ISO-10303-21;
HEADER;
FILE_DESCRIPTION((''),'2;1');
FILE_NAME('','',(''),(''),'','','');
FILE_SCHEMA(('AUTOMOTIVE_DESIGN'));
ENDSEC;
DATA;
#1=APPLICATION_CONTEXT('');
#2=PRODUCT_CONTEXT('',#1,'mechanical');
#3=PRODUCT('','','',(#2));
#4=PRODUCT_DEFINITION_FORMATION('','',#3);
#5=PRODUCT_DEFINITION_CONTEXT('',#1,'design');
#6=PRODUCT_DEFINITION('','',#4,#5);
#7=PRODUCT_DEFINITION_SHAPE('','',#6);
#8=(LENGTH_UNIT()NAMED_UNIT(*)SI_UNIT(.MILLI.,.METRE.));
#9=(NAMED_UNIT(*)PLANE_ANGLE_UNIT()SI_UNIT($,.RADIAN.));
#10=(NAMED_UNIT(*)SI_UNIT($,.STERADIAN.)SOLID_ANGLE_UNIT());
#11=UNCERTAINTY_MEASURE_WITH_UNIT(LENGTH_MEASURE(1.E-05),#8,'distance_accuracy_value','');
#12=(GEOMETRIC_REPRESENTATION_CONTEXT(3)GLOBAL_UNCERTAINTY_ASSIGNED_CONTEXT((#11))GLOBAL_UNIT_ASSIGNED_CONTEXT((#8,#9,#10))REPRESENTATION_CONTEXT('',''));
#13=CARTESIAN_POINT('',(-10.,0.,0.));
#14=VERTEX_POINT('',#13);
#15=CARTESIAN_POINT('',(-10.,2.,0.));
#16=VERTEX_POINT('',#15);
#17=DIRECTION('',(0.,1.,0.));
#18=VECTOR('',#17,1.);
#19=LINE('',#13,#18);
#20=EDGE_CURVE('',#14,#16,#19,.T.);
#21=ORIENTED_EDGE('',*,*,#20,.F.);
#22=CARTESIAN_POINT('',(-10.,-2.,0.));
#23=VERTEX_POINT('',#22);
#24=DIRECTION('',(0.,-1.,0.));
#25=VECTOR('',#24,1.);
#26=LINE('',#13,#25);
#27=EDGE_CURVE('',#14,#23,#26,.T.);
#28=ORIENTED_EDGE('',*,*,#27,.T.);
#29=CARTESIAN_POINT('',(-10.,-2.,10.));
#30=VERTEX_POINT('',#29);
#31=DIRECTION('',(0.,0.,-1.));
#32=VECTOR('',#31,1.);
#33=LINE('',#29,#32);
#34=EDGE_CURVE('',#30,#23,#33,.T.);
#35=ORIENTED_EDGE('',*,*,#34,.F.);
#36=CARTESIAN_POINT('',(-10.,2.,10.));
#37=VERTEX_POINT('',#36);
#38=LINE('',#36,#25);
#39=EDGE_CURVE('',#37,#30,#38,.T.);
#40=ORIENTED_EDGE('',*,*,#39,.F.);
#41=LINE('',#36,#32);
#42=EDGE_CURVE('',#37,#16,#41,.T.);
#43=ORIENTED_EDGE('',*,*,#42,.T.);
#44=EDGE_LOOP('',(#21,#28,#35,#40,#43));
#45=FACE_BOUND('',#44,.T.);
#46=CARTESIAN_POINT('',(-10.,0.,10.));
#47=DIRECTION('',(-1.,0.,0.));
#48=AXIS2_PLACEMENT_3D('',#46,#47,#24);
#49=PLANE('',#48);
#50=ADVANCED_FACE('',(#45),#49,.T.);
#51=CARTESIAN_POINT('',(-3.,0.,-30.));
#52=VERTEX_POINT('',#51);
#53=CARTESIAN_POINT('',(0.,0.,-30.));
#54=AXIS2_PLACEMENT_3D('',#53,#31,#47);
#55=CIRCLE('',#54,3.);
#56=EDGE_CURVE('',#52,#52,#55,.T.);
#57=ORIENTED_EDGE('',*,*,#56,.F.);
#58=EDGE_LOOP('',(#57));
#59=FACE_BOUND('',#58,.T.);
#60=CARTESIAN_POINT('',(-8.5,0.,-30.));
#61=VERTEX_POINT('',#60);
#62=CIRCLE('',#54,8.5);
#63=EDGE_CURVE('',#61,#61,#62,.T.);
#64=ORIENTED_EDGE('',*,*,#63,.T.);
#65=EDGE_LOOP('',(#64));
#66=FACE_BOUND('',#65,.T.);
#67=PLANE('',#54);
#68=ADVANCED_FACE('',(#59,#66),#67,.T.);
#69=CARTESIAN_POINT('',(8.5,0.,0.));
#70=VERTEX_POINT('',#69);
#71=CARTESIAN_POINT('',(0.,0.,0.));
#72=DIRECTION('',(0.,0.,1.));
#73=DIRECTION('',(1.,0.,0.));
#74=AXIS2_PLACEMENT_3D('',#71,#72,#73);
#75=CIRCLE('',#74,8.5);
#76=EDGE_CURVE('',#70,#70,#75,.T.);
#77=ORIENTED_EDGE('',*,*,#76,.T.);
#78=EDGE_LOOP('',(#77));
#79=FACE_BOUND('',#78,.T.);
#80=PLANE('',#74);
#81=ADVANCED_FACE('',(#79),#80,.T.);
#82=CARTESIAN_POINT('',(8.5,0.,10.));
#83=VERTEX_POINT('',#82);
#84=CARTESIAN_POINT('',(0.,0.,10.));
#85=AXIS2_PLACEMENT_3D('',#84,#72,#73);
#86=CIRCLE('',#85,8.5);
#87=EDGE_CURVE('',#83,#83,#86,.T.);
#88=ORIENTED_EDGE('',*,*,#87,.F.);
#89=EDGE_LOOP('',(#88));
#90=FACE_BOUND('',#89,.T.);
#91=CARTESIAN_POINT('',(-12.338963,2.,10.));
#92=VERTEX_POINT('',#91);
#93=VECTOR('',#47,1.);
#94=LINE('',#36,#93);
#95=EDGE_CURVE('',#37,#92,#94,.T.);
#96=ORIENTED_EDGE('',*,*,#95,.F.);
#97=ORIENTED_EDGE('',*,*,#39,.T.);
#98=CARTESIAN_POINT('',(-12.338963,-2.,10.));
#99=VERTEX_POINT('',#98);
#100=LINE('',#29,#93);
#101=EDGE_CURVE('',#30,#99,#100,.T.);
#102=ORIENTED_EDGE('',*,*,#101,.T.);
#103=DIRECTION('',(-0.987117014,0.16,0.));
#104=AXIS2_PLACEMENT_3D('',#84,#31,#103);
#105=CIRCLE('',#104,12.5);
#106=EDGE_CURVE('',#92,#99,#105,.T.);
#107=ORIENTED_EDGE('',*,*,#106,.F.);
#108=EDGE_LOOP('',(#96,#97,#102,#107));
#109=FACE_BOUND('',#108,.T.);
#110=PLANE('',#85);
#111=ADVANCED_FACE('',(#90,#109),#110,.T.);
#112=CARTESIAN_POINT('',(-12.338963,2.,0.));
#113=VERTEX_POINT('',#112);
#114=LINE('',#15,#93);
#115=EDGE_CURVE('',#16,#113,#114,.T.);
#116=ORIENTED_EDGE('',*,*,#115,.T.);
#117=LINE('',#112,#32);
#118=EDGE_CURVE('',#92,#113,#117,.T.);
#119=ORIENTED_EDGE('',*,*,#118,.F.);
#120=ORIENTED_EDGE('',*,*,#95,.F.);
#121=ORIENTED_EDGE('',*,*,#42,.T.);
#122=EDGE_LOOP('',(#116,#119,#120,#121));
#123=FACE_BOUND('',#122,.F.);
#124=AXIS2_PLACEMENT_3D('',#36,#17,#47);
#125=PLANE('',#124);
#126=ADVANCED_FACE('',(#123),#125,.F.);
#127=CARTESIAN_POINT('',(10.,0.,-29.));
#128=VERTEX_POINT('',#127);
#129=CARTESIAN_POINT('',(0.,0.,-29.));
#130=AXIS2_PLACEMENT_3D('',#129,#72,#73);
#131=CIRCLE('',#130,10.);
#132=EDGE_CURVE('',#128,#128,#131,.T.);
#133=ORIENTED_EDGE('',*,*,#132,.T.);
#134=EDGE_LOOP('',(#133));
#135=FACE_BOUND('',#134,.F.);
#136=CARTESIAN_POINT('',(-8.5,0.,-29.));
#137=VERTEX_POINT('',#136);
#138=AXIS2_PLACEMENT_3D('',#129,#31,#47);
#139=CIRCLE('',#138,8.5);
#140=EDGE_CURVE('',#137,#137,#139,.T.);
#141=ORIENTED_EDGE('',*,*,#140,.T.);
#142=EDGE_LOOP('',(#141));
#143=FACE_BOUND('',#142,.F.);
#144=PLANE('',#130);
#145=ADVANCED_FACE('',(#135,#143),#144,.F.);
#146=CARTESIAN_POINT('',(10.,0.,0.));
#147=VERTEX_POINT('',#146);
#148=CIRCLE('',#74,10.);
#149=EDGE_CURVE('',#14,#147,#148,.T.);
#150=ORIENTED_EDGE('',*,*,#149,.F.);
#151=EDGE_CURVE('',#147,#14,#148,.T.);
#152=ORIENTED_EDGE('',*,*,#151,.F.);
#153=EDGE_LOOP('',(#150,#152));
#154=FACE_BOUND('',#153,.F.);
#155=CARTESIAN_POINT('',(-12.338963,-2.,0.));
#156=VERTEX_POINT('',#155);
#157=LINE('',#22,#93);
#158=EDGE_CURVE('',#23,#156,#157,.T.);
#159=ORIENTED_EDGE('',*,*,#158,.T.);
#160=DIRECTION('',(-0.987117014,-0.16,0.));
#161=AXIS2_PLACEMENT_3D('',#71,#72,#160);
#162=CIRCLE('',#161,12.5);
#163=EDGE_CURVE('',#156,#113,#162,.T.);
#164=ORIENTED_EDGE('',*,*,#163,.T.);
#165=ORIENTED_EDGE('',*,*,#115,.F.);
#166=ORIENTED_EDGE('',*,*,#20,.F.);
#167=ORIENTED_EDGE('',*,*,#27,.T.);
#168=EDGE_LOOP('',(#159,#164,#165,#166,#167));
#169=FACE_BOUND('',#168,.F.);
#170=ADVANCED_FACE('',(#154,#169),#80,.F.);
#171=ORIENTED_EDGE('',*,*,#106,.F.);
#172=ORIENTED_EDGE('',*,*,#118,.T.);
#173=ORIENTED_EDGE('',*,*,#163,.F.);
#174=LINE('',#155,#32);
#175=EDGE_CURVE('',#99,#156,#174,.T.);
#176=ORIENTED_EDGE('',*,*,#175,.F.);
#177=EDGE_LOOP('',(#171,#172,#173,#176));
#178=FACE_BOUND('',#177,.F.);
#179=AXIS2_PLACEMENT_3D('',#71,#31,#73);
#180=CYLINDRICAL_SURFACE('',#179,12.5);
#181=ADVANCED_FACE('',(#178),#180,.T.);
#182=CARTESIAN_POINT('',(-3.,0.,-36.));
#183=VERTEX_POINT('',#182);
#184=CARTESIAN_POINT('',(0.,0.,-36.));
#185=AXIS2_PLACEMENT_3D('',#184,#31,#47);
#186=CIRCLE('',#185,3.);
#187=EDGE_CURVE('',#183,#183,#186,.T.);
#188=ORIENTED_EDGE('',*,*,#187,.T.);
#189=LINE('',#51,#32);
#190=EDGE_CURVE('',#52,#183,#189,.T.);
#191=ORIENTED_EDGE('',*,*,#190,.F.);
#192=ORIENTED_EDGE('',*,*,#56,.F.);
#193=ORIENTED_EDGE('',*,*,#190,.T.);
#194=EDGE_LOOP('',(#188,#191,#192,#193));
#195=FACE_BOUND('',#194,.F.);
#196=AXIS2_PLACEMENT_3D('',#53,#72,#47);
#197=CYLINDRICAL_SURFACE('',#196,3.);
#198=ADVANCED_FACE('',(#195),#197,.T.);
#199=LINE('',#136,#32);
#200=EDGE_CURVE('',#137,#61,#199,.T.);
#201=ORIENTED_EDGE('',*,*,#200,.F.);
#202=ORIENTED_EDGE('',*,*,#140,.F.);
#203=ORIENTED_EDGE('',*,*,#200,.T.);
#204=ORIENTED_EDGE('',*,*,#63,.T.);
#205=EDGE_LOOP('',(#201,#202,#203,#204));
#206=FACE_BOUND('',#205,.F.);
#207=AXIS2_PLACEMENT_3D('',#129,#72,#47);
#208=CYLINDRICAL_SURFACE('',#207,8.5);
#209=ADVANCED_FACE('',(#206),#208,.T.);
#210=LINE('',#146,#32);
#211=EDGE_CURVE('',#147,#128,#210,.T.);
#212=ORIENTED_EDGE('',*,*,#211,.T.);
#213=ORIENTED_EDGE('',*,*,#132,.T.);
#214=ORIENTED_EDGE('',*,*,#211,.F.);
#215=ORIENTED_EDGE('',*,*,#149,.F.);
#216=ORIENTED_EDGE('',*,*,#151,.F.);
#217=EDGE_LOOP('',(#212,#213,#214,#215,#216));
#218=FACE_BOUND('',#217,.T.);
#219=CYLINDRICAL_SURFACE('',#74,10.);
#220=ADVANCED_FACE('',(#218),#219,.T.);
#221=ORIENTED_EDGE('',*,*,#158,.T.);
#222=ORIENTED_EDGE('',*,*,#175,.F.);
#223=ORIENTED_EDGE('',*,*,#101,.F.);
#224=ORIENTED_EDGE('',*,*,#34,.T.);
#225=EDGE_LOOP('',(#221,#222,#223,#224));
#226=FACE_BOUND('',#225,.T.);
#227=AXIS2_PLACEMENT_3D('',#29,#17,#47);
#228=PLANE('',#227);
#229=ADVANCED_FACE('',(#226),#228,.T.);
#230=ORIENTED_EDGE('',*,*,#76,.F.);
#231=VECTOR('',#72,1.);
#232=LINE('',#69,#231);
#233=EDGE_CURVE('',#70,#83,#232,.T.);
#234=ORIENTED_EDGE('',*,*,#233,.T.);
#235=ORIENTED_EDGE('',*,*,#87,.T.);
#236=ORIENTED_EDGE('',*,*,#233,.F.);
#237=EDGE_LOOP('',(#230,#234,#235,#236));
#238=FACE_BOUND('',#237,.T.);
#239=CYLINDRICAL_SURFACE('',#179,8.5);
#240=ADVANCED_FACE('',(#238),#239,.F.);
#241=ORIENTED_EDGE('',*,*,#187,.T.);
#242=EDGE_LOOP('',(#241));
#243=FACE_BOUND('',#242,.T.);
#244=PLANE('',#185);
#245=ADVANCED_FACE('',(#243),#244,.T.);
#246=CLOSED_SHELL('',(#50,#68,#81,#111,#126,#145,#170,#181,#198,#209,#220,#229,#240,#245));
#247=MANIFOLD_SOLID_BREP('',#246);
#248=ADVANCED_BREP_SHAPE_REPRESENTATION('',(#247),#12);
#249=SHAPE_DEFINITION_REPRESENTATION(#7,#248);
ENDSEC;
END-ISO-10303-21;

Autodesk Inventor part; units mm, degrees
ref_plane "YZ Plane" through (0, 0, 0) normal (1, 0, 0) x (0, 1, 0)
ref_plane "XZ Plane" through (0, 0, 0) normal (0, 1, 0) x (-1, 0, 0)
ref_plane "XY Plane" through (0, 0, 0) normal (0, 0, 1) x (1, 0, 0)
sketch "Sketch1" plane through (0, 0, 0) normal (0, 0, 1) x (1, 0, 0)
  circle A0 centre (0, 0) radius 10
  circle A1 centre (0, 0) radius 12.5
  dimension "d0" = 0
  dimension "d1" = 0
  dimension "d2" = 0
  dimension "d3" = 0
  dimension "d4" = 25
  dimension "d5" = 20
extrude "Extrusion1" add sketch "Sketch1" along normal blind 10
extrude "Extrusion2" add sketch "Sketch1" against normal blind 29 contours A0
sketch "Sketch2" plane through (0, 0, -29) normal (0, 0, -1) x (-1, 0, 0)
  circle A0 centre (0, 0) radius 8.5
  dimension "d10" = 17
extrude "Extrusion3" add sketch "Sketch2" along normal blind 1
sketch "Sketch3" plane through (0, 0, -30) normal (0, 0, -1) x (-1, 0, 0)
  circle A0 centre (0, 0) radius 3
  dimension "d13" = 6
extrude "Extrusion4" add sketch "Sketch3" along normal blind 6
thread "Thread1" size "M6x1" class "6g" standard "ANSI Metric M Profile" full length
sketch "Sketch4" plane through (0, 0, 10) normal (0, 0, 1) x (1, 0, 0)
  circle A0 centre (0, 0) radius 10 projected
  line L0 (-10, 0) -> (-10, 2)
  line L1 (-10, 2) -> (-12.8956, 2)
  line L2 (-10, 0) -> (-11.1456, 0)
  line L3 (-10, 0) -> (-10, -2)
  line L4 (-10, -2) -> (-12.8956, -2)
  line L5 (-12.8956, -2) -> (-12.8956, 2)
extrude "Extrusion5" cut sketch "Sketch4" against normal up to surface (10 mm away) contours L3 L4 L5 L1 L0
sketch "Sketch5" plane through (0, 0, 0) normal (0, 0, 1) x (1, 0, 0)
  circle A0 centre (0, 0) radius 10
  circle A1 centre (0, 0) radius 8.5
  point P0 (-10, 0)
extrude "Extrusion6" add sketch "Sketch5" along normal blind 10
properties part number "piraki"
